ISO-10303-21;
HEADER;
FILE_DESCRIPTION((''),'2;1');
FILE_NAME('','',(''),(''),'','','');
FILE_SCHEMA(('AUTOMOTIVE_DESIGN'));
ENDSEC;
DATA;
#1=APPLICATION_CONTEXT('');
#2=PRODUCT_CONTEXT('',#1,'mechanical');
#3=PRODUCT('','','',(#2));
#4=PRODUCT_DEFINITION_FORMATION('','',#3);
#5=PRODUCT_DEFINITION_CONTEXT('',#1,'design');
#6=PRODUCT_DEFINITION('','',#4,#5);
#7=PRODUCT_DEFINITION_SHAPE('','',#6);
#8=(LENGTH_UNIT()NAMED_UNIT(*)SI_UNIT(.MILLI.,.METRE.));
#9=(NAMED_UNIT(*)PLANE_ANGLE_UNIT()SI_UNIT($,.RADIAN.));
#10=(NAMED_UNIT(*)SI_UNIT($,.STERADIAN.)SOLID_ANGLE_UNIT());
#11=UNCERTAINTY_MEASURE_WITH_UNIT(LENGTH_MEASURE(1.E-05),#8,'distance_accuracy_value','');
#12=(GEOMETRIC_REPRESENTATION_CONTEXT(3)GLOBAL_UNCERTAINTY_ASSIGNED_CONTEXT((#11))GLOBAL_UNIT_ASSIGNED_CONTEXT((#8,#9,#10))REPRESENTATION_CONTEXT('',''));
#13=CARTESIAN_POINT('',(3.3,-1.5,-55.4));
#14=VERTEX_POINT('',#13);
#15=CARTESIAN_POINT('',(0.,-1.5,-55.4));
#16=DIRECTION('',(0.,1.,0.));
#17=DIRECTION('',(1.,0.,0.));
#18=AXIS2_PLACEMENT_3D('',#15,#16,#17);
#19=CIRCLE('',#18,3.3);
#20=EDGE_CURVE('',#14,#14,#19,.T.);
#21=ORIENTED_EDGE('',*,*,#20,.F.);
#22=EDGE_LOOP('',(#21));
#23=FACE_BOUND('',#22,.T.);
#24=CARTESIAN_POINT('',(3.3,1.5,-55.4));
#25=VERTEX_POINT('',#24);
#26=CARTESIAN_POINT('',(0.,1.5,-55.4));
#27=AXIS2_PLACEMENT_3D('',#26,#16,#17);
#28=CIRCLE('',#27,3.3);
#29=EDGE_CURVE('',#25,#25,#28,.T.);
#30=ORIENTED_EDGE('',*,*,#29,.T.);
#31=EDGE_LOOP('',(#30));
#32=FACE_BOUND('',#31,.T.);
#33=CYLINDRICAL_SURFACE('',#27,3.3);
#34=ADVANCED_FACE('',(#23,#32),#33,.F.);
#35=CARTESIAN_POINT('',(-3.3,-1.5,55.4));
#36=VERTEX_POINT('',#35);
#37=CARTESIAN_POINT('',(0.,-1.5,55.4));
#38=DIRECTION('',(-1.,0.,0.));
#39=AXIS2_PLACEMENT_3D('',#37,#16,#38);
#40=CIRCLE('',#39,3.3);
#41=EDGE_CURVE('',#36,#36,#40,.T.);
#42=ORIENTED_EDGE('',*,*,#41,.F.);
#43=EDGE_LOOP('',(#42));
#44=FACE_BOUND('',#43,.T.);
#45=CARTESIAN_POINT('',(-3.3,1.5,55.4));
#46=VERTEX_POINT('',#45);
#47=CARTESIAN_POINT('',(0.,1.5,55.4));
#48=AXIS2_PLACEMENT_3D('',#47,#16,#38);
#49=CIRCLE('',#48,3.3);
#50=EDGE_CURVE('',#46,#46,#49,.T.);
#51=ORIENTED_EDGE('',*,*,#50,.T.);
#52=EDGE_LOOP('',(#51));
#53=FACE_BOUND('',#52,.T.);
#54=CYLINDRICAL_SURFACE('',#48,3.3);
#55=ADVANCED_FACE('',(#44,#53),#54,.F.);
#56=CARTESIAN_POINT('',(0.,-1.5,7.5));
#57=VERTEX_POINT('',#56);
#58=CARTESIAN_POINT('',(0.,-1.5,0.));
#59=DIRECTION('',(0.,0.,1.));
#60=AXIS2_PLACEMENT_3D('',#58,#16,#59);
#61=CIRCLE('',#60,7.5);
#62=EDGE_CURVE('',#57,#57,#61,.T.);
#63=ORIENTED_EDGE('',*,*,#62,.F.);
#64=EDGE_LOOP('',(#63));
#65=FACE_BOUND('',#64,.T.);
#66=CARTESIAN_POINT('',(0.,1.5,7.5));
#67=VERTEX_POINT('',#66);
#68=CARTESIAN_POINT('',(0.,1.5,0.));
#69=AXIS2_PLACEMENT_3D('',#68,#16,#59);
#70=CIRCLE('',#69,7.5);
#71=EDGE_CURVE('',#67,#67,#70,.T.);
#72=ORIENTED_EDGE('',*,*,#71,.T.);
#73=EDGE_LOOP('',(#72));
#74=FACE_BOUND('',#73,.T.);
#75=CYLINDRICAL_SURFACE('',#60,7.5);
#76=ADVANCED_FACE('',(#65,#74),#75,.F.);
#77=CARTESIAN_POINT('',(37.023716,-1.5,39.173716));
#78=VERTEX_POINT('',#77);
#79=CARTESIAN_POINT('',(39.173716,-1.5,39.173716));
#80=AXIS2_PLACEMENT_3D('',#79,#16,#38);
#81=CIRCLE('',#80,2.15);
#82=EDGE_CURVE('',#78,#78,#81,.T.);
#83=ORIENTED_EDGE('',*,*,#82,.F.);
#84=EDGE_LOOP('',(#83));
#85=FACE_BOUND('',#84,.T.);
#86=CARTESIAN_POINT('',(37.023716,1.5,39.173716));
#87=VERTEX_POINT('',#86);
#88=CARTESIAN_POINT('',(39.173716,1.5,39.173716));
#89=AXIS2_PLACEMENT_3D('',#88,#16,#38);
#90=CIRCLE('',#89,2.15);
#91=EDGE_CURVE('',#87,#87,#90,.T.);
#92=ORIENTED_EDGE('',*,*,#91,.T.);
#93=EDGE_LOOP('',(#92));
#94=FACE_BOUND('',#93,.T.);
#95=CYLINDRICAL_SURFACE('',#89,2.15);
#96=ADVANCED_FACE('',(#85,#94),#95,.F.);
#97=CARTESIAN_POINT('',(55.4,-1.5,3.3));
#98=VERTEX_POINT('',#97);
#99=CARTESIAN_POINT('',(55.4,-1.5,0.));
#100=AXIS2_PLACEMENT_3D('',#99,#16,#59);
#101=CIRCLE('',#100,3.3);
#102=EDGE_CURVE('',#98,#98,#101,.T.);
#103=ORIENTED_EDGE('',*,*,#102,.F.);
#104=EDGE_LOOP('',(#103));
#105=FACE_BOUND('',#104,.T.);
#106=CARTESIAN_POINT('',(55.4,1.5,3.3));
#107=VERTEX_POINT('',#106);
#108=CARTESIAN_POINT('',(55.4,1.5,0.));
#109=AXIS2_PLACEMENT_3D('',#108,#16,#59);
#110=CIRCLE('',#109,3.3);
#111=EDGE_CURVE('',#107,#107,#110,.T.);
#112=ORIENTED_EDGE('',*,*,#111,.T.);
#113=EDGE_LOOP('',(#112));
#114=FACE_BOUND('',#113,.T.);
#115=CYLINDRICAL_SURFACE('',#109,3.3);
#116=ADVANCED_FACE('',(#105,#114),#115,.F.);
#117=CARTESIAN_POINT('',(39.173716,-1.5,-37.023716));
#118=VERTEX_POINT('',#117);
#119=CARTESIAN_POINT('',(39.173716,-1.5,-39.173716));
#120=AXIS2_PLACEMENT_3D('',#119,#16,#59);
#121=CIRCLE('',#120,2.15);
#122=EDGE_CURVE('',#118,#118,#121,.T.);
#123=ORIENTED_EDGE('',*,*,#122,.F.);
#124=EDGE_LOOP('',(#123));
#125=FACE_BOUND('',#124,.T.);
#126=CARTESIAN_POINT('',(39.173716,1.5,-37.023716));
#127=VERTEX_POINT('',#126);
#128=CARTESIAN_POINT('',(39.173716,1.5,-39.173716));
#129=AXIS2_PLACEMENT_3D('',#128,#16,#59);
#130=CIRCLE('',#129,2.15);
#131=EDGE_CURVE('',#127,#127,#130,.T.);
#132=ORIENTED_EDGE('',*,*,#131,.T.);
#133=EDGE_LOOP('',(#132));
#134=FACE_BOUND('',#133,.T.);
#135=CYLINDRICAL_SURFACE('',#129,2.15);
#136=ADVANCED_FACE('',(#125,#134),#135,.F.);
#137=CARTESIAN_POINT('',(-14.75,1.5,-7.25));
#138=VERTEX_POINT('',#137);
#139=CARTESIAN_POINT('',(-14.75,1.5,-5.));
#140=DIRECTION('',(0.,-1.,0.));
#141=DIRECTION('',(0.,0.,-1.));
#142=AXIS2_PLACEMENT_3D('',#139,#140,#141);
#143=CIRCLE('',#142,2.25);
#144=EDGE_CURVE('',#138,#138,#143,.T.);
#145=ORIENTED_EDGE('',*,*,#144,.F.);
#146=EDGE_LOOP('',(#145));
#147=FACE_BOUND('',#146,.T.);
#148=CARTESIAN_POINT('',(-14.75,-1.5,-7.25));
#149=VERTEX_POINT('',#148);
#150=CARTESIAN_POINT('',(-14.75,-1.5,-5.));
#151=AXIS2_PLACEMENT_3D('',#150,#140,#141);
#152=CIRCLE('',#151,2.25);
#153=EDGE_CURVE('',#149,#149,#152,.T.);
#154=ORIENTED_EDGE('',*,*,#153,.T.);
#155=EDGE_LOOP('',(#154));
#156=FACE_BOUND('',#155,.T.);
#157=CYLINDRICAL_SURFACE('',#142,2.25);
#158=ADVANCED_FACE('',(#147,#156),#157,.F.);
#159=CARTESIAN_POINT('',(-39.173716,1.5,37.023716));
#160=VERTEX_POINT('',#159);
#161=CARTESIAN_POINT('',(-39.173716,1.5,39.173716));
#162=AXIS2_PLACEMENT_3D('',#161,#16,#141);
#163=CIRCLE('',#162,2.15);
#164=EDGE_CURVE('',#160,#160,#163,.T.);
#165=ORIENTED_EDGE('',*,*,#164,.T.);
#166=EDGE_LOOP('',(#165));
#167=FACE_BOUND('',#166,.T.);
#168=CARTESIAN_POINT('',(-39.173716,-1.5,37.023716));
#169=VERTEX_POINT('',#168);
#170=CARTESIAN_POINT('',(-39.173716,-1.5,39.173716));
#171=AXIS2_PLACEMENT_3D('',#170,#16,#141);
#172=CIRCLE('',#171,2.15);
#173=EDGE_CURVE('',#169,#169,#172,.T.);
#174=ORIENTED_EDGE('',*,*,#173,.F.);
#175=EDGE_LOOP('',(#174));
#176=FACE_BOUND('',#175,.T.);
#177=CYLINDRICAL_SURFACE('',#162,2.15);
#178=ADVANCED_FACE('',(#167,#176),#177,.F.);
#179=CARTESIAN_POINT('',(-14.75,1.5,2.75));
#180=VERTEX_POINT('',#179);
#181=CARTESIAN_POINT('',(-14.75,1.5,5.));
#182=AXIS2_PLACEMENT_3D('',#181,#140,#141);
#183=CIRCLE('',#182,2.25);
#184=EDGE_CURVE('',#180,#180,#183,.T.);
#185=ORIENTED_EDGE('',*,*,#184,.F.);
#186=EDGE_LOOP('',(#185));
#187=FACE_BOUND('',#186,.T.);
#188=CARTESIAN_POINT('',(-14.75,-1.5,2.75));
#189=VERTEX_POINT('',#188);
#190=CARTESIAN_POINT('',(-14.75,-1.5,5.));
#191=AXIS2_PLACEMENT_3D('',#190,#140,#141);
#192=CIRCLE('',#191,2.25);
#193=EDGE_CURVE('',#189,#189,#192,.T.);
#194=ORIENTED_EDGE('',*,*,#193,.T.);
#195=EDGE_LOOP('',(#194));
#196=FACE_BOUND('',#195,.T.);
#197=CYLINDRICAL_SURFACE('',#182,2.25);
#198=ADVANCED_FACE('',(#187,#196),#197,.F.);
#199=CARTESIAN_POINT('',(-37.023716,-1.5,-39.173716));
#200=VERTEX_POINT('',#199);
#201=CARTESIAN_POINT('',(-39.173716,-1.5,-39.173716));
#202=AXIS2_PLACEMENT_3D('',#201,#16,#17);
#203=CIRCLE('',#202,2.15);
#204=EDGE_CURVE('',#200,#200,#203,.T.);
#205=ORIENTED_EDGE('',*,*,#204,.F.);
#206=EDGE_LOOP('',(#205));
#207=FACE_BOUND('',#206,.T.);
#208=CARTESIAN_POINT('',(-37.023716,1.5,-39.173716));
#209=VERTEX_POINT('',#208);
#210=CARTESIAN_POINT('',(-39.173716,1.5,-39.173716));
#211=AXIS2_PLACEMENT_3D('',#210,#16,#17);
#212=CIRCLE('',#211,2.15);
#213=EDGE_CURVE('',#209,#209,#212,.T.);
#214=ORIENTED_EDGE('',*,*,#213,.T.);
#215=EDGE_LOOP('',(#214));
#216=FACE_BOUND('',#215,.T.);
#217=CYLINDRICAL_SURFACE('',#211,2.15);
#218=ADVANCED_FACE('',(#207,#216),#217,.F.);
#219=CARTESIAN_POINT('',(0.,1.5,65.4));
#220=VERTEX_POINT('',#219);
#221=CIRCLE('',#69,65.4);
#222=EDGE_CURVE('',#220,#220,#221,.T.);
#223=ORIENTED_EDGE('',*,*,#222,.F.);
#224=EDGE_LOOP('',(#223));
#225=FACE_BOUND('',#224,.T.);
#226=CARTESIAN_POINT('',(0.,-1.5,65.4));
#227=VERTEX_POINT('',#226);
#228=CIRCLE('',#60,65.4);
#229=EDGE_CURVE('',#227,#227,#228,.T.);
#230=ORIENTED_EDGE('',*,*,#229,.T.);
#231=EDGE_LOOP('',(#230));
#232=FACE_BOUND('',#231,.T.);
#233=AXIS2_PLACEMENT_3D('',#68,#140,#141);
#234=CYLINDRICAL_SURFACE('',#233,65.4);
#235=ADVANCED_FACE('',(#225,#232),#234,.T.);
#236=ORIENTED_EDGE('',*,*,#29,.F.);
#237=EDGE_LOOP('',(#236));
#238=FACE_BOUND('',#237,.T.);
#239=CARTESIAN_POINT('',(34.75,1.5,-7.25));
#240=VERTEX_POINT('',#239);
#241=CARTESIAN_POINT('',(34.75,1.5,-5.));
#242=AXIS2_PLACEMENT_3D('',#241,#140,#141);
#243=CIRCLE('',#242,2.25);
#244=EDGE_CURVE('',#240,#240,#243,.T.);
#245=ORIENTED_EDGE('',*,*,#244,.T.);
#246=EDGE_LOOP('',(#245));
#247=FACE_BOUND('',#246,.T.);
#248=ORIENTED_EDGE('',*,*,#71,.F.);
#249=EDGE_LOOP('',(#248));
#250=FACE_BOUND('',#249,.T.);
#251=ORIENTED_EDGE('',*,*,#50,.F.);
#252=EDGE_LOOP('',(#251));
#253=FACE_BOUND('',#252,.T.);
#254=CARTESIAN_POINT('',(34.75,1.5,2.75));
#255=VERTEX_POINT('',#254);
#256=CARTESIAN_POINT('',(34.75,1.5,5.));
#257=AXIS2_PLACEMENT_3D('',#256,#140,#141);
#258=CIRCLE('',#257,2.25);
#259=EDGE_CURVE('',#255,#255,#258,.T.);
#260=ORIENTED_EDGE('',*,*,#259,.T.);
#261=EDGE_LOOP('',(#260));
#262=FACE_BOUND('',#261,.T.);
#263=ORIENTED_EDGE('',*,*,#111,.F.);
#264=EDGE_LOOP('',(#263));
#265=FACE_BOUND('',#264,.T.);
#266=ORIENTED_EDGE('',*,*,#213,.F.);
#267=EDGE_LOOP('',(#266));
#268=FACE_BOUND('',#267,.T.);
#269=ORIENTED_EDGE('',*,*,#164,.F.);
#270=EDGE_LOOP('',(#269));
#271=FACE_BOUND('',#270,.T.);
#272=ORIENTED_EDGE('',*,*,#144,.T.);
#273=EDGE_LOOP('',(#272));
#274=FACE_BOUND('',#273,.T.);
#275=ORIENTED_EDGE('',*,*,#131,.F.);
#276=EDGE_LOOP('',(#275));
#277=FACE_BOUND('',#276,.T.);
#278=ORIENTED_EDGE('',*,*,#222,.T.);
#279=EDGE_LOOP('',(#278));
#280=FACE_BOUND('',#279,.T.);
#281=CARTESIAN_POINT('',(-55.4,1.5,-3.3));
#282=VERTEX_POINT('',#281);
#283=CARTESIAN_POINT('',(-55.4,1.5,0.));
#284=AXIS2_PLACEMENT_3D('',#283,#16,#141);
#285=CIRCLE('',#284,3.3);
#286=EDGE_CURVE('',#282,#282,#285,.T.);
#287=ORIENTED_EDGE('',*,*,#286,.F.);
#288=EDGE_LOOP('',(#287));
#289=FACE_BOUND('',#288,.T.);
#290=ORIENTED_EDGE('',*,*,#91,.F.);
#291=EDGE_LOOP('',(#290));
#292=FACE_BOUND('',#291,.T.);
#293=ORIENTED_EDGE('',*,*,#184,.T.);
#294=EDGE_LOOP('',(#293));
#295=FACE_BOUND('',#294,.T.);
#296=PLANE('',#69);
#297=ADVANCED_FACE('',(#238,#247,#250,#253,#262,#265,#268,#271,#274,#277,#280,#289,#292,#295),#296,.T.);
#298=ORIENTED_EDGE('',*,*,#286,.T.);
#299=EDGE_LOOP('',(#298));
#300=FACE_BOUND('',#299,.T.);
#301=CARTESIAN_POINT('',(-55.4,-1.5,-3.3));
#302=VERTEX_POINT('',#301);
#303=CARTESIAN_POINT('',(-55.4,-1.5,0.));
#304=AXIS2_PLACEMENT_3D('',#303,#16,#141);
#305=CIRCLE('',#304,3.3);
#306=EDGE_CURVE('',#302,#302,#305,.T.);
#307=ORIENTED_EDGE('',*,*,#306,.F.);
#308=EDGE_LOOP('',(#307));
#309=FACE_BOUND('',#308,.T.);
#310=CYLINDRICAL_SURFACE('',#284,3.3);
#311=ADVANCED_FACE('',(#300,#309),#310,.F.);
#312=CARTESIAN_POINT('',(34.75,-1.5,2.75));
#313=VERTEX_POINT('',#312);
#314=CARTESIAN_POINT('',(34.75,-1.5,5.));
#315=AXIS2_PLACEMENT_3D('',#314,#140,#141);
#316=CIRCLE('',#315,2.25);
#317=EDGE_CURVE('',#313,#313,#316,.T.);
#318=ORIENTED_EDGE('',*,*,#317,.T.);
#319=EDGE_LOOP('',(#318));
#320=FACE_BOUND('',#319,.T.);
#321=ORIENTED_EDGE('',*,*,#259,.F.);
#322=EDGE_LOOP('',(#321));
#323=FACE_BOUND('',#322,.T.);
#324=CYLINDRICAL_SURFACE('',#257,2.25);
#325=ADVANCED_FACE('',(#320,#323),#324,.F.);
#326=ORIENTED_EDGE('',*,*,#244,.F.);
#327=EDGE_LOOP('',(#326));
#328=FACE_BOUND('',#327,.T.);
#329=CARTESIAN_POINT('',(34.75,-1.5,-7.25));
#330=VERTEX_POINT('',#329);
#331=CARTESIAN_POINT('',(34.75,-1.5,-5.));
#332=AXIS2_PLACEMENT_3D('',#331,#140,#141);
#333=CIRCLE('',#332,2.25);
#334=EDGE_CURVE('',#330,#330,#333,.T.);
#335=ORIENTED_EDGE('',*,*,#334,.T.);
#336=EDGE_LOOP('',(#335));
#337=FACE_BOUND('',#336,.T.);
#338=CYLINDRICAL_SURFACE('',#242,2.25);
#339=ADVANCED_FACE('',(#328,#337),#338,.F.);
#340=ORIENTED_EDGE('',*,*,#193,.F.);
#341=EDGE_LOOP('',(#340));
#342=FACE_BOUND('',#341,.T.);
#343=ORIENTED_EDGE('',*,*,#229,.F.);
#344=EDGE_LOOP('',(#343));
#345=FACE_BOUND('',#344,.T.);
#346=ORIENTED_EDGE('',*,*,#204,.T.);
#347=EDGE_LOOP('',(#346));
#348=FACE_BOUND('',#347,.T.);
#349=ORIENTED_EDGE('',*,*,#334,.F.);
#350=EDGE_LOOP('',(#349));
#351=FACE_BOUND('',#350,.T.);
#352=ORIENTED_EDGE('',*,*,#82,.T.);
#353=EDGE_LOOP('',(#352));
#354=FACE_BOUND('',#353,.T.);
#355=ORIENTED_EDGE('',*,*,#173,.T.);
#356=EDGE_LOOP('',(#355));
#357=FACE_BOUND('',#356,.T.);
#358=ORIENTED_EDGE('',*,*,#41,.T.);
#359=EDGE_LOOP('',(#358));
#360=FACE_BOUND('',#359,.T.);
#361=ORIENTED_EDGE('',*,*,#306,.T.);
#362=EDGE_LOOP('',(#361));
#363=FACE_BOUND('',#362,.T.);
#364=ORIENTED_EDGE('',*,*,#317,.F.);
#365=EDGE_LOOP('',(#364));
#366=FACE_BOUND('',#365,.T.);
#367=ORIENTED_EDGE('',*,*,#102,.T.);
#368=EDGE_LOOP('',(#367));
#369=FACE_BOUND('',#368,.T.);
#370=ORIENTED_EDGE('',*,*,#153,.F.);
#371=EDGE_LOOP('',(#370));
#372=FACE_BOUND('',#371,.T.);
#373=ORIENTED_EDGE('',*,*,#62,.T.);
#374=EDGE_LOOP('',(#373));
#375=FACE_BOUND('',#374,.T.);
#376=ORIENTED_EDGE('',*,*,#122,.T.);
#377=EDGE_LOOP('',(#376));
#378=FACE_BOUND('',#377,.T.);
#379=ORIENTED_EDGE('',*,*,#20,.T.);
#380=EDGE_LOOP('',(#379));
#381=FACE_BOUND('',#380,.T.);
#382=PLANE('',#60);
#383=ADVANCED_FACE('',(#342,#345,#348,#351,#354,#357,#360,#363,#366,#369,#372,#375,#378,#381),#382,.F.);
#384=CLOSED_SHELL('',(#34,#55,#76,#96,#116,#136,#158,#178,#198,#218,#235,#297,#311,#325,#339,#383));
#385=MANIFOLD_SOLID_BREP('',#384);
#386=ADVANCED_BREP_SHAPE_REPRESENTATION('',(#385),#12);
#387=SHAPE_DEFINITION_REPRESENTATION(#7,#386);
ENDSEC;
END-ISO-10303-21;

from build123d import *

# Parameters (mm, degrees)
SKETCH1_R            = 65.4
BOSS_EXTRUDE1_DEPTH  = 1.5
M6_CLEARANCE_HOLE1_D = 6.6
CIRPATTERN2_COUNT    = 4
M4_CLEARANCE_HOLE1_D = 4.3
CIRPATTERN1_COUNT    = 4
SKETCH10_R           = 7.5
CUT_EXTRUDE1_DEPTH   = 93.538208325
SKETCH11_R           = 2.25
CUT_EXTRUDE2_DEPTH   = 93.538208325


with BuildPart() as part:
    # Sketch1 → Boss-Extrude1 (new, symmetric)
    with BuildSketch(Plane(origin=(0, 0, 0), x_dir=(1, 0, 0), z_dir=(0, 1, 0))):
        with Locations(Location((0, 0, 0), (0, 0, 270))):
            Circle(SKETCH1_R)
    extrude(amount=BOSS_EXTRUDE1_DEPTH, both=True)

    # M6 Clearance Hole1 (through all)
    with Locations(Plane(origin=(0, 1.5, 0), x_dir=(1, 0, 0), z_dir=(0, 1, 0))):
        with Locations((55.4, 0)):
            m6_clearance_hole1 = Hole(M6_CLEARANCE_HOLE1_D / 2)

    # CirPattern2: M6 Clearance Hole1 ×4 about axis
    cirpattern2_axis = Axis((0, 0, 0), (0, 1, 0))
    for i in range(1, CIRPATTERN2_COUNT):
        add(m6_clearance_hole1.rotate(cirpattern2_axis, i * 360 / CIRPATTERN2_COUNT), mode=Mode.SUBTRACT)

    # M4 Clearance Hole1 (through all)
    with Locations(Plane(origin=(0, 1.5, 0), x_dir=(1, 0, 0), z_dir=(0, 1, 0))):
        with Locations((39.173715678, 39.173715678)):
            m4_clearance_hole1 = Hole(M4_CLEARANCE_HOLE1_D / 2)

    # CirPattern1: M4 Clearance Hole1 ×4 about axis
    cirpattern1_axis = Axis((0, 0, 0), (0, 1, 0))
    for i in range(1, CIRPATTERN1_COUNT):
        add(m4_clearance_hole1.rotate(cirpattern1_axis, i * 360 / CIRPATTERN1_COUNT), mode=Mode.SUBTRACT)

    # Sketch10 → Cut-Extrude1 (cut, through all)
    with BuildSketch(Plane(origin=(0, 1.5, 0), x_dir=(1, 0, 0), z_dir=(0, 1, 0))):
        with Locations(Location((0, 0, 0), (0, 0, 270))):
            Circle(SKETCH10_R)
    extrude(amount=-CUT_EXTRUDE1_DEPTH, mode=Mode.SUBTRACT)

    # Sketch11 → Cut-Extrude2 (cut, through all)
    with BuildSketch(Plane.XZ.offset(1.5)):
        with Locations(Location((-14.75, -5, 0), (0, 0, 270))):
            Circle(SKETCH11_R)
        with Locations(Location((-14.75, 5, 0), (0, 0, 270))):
            Circle(SKETCH11_R)
        with Locations(Location((34.75, -5, 0), (0, 0, 270))):
            Circle(SKETCH11_R)
        with Locations(Location((34.75, 5, 0), (0, 0, 270))):
            Circle(SKETCH11_R)
    extrude(amount=-CUT_EXTRUDE2_DEPTH, mode=Mode.SUBTRACT)


solid = part.part
